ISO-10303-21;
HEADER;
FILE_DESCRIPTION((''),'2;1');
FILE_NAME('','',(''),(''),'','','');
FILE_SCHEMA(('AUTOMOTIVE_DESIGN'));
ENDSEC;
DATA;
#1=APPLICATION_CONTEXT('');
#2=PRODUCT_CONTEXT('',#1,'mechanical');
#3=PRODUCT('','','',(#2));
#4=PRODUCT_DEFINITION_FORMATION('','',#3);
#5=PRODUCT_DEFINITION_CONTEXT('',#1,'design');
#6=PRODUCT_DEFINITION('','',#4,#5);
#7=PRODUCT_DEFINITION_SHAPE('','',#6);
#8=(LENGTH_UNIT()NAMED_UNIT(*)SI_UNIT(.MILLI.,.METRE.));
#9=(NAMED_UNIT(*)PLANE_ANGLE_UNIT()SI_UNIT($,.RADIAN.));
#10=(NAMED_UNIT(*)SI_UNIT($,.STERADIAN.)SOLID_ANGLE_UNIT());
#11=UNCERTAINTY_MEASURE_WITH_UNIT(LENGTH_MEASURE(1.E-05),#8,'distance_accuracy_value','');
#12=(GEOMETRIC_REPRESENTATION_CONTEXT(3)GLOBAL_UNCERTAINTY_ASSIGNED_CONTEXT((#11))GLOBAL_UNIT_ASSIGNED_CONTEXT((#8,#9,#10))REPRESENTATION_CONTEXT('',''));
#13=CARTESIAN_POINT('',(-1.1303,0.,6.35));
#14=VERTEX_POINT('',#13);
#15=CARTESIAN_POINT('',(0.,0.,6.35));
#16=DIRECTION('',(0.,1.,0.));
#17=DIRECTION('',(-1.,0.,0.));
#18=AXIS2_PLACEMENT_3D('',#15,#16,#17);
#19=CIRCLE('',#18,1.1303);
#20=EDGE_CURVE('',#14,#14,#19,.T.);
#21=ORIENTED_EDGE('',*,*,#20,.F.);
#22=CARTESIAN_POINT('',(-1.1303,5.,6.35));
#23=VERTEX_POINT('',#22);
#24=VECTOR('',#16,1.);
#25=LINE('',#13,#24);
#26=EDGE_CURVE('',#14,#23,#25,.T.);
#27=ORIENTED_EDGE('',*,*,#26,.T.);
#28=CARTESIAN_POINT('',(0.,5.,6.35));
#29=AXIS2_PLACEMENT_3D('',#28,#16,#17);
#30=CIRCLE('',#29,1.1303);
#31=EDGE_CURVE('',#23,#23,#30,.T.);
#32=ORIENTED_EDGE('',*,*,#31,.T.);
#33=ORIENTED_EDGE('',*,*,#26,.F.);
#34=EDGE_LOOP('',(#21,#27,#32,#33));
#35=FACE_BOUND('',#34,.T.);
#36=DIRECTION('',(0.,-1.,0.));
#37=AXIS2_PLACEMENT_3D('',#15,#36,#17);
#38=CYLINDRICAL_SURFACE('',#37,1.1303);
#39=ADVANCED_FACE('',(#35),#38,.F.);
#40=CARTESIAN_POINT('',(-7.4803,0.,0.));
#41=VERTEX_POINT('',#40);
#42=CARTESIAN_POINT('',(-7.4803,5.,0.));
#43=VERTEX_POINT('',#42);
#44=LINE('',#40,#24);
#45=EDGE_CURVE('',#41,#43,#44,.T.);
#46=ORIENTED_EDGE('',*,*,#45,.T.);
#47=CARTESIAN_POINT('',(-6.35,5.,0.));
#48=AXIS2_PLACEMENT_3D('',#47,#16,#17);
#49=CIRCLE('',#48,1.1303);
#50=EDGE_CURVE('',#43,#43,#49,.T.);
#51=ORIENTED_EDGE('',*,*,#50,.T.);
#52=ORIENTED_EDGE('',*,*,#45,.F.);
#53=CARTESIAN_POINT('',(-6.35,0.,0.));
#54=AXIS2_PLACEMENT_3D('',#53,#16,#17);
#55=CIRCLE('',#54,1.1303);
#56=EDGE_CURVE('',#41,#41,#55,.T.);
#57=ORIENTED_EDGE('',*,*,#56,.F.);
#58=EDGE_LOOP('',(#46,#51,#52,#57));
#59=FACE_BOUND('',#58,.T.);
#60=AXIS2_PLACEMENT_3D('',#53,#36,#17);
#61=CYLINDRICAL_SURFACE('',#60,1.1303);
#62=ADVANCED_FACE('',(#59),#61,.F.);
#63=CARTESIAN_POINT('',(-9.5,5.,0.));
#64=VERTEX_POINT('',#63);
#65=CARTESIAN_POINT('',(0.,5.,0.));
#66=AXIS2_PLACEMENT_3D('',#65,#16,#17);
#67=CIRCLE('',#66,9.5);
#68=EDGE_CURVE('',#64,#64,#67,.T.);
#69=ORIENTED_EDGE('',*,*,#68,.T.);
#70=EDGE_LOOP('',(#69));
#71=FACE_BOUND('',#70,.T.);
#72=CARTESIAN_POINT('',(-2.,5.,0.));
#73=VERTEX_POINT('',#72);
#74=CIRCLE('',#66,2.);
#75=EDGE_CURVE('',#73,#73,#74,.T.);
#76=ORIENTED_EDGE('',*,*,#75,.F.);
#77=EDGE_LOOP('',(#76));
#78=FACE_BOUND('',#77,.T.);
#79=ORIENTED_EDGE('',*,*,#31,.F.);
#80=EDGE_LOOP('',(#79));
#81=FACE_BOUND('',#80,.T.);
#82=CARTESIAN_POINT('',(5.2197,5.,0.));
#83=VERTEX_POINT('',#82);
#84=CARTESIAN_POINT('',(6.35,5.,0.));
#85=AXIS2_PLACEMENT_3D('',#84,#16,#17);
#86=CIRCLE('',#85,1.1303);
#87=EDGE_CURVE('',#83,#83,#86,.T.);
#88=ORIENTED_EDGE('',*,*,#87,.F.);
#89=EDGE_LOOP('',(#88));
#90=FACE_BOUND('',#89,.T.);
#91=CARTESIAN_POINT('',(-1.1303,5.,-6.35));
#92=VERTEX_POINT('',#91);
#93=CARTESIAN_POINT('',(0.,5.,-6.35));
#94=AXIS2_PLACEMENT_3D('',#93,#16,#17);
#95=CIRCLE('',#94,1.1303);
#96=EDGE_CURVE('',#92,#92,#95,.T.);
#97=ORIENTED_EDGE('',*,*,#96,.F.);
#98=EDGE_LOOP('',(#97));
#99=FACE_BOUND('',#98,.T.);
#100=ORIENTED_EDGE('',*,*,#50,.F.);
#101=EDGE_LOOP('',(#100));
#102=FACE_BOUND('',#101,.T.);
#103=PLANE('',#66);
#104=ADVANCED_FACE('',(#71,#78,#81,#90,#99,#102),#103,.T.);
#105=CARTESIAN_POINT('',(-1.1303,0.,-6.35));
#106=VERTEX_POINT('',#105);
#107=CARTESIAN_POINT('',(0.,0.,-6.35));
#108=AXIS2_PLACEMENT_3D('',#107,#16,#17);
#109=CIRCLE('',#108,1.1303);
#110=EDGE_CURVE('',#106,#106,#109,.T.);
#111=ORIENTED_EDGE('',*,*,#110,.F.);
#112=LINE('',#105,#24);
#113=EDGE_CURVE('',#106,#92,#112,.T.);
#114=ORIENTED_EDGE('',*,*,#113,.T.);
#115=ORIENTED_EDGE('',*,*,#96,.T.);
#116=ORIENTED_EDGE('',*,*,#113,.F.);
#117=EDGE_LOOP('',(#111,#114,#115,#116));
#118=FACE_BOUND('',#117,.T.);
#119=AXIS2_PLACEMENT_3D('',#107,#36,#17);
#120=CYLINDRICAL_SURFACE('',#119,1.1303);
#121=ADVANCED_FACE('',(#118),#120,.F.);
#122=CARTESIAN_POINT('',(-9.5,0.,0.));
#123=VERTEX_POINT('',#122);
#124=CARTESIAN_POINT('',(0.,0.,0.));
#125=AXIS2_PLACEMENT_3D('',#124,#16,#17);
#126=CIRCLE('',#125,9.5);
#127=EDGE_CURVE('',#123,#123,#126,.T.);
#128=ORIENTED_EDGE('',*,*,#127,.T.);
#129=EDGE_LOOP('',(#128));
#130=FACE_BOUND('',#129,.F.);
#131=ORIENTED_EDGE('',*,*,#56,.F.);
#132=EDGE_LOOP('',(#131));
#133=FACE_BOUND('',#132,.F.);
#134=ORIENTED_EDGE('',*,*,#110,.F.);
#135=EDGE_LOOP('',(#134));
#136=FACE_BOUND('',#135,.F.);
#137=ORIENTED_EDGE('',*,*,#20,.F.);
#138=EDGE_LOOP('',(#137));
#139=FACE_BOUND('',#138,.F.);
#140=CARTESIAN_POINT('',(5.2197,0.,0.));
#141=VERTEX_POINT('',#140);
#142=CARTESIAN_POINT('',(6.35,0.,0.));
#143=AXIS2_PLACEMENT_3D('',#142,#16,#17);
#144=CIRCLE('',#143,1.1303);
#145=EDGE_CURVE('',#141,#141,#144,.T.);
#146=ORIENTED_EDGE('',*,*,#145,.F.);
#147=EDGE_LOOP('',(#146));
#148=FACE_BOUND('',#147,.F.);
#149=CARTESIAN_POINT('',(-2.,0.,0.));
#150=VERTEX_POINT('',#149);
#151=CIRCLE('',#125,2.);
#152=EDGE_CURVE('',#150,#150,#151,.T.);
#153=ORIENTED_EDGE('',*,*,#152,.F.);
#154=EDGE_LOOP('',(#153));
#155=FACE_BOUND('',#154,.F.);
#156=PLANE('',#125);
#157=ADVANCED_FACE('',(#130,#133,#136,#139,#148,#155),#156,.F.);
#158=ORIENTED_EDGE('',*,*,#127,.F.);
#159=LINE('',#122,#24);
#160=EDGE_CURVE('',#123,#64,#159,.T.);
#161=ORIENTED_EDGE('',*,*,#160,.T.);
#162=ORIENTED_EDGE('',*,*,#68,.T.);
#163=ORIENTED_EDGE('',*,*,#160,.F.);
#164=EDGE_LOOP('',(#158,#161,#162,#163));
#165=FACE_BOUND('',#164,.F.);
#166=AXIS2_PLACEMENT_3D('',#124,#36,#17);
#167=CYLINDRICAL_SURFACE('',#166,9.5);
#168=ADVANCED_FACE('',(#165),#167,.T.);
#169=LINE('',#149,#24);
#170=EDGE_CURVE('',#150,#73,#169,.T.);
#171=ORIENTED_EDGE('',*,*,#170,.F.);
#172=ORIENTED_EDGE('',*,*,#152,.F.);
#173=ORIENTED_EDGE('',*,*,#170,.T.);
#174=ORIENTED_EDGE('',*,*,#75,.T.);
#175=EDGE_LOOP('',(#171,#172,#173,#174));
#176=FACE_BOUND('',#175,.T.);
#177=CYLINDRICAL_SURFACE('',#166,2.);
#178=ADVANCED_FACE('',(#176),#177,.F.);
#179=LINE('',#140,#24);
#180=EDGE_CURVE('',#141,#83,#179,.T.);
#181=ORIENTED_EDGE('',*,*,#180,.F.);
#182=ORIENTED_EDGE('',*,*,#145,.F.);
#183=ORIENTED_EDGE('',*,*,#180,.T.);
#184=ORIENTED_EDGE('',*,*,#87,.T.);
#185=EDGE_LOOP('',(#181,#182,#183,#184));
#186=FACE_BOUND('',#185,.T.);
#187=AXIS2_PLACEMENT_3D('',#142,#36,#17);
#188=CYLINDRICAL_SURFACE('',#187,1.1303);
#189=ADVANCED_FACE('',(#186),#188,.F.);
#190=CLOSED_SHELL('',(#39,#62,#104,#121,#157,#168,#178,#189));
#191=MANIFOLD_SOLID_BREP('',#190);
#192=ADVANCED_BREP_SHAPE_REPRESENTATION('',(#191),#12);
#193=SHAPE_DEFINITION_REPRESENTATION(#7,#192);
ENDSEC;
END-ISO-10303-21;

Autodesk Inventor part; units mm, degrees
ref_plane "YZ Plane" through (0, 0, 0) normal (1, 0, 0) x (0, 1, 0)
ref_plane "XZ Plane" through (0, 0, 0) normal (0, 1, 0) x (-1, 0, 0)
ref_plane "XY Plane" through (0, 0, 0) normal (0, 0, 1) x (1, 0, 0)
sketch "Sketch1" plane through (0, 0, 0) normal (0, 1, 0) x (-1, 0, 0)
  circle A0 centre (0, 0) radius 9.5
  circle A1 centre (0, 0) radius 2
  circle A2 centre (-6.35, 0) radius 1.1303
  circle A3 centre (0, -6.35) radius 1.1303
  circle A4 centre (6.35, 0) radius 1.1303
  circle A5 centre (0, 6.35) radius 1.1303
  dimension "d0" = 19
  dimension "d1" = 4
  dimension "d2" = 6.35
  dimension "d3" = 2.2606
  dimension "d6" = 360
extrude "Extrusion1" add sketch "Sketch1" along normal blind 5
properties part number "Motor_Hub_Polulu"
